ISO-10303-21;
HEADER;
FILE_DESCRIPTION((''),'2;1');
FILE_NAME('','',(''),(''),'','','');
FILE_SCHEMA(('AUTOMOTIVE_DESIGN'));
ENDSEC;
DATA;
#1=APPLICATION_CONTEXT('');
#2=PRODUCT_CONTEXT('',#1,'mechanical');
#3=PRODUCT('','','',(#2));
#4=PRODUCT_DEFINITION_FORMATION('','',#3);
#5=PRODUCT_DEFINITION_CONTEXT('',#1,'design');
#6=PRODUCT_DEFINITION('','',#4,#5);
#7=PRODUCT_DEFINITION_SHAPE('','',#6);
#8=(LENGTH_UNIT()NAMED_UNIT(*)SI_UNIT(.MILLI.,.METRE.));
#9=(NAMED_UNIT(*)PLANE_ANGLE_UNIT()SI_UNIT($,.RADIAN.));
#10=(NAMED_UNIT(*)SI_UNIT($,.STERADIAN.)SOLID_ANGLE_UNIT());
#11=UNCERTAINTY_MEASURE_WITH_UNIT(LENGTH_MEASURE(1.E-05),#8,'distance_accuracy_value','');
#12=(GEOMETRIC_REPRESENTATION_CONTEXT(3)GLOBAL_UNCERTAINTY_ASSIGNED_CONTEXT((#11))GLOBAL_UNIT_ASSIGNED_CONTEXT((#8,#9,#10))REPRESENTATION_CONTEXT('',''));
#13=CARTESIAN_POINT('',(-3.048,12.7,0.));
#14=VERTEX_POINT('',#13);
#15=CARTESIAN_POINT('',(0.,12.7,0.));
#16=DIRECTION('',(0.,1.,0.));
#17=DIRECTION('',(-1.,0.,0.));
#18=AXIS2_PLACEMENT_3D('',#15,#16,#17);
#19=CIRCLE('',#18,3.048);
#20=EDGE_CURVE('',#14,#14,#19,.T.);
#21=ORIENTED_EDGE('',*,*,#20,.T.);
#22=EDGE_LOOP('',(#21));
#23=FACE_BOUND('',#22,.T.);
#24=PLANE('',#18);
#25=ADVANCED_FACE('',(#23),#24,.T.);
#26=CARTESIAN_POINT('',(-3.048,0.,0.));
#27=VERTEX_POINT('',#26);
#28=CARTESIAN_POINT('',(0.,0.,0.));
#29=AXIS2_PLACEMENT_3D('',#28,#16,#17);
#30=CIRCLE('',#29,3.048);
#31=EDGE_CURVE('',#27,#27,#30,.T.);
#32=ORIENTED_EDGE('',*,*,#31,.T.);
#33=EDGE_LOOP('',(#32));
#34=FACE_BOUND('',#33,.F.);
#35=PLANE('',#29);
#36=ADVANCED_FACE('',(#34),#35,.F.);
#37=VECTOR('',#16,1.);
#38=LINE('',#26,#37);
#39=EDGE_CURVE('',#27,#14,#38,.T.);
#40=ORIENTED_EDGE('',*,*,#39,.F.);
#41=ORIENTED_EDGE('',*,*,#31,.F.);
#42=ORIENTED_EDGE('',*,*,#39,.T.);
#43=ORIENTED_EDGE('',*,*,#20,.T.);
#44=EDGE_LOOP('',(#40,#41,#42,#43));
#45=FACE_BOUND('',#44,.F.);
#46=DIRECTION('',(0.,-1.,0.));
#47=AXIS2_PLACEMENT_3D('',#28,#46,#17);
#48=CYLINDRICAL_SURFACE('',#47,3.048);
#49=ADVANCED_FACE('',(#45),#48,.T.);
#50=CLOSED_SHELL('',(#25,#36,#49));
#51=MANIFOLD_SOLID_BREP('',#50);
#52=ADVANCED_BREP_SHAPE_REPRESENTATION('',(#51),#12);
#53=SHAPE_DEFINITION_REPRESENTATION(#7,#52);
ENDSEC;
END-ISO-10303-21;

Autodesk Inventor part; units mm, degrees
ref_plane "YZ Plane" through (0, 0, 0) normal (1, 0, 0) x (0, 1, 0)
ref_plane "XZ Plane" through (0, 0, 0) normal (0, 1, 0) x (-1, 0, 0)
ref_plane "XY Plane" through (0, 0, 0) normal (0, 0, 1) x (1, 0, 0)
sketch "Sketch1" plane through (0, 0, 0) normal (0, 1, 0) x (-1, 0, 0)
  circle A0 centre (0, 0) radius 3.048
  dimension "d0" = 6.096
extrude "Extrusion1" add sketch "Sketch1" along normal blind 12.7
properties part number "Casting Pin"
